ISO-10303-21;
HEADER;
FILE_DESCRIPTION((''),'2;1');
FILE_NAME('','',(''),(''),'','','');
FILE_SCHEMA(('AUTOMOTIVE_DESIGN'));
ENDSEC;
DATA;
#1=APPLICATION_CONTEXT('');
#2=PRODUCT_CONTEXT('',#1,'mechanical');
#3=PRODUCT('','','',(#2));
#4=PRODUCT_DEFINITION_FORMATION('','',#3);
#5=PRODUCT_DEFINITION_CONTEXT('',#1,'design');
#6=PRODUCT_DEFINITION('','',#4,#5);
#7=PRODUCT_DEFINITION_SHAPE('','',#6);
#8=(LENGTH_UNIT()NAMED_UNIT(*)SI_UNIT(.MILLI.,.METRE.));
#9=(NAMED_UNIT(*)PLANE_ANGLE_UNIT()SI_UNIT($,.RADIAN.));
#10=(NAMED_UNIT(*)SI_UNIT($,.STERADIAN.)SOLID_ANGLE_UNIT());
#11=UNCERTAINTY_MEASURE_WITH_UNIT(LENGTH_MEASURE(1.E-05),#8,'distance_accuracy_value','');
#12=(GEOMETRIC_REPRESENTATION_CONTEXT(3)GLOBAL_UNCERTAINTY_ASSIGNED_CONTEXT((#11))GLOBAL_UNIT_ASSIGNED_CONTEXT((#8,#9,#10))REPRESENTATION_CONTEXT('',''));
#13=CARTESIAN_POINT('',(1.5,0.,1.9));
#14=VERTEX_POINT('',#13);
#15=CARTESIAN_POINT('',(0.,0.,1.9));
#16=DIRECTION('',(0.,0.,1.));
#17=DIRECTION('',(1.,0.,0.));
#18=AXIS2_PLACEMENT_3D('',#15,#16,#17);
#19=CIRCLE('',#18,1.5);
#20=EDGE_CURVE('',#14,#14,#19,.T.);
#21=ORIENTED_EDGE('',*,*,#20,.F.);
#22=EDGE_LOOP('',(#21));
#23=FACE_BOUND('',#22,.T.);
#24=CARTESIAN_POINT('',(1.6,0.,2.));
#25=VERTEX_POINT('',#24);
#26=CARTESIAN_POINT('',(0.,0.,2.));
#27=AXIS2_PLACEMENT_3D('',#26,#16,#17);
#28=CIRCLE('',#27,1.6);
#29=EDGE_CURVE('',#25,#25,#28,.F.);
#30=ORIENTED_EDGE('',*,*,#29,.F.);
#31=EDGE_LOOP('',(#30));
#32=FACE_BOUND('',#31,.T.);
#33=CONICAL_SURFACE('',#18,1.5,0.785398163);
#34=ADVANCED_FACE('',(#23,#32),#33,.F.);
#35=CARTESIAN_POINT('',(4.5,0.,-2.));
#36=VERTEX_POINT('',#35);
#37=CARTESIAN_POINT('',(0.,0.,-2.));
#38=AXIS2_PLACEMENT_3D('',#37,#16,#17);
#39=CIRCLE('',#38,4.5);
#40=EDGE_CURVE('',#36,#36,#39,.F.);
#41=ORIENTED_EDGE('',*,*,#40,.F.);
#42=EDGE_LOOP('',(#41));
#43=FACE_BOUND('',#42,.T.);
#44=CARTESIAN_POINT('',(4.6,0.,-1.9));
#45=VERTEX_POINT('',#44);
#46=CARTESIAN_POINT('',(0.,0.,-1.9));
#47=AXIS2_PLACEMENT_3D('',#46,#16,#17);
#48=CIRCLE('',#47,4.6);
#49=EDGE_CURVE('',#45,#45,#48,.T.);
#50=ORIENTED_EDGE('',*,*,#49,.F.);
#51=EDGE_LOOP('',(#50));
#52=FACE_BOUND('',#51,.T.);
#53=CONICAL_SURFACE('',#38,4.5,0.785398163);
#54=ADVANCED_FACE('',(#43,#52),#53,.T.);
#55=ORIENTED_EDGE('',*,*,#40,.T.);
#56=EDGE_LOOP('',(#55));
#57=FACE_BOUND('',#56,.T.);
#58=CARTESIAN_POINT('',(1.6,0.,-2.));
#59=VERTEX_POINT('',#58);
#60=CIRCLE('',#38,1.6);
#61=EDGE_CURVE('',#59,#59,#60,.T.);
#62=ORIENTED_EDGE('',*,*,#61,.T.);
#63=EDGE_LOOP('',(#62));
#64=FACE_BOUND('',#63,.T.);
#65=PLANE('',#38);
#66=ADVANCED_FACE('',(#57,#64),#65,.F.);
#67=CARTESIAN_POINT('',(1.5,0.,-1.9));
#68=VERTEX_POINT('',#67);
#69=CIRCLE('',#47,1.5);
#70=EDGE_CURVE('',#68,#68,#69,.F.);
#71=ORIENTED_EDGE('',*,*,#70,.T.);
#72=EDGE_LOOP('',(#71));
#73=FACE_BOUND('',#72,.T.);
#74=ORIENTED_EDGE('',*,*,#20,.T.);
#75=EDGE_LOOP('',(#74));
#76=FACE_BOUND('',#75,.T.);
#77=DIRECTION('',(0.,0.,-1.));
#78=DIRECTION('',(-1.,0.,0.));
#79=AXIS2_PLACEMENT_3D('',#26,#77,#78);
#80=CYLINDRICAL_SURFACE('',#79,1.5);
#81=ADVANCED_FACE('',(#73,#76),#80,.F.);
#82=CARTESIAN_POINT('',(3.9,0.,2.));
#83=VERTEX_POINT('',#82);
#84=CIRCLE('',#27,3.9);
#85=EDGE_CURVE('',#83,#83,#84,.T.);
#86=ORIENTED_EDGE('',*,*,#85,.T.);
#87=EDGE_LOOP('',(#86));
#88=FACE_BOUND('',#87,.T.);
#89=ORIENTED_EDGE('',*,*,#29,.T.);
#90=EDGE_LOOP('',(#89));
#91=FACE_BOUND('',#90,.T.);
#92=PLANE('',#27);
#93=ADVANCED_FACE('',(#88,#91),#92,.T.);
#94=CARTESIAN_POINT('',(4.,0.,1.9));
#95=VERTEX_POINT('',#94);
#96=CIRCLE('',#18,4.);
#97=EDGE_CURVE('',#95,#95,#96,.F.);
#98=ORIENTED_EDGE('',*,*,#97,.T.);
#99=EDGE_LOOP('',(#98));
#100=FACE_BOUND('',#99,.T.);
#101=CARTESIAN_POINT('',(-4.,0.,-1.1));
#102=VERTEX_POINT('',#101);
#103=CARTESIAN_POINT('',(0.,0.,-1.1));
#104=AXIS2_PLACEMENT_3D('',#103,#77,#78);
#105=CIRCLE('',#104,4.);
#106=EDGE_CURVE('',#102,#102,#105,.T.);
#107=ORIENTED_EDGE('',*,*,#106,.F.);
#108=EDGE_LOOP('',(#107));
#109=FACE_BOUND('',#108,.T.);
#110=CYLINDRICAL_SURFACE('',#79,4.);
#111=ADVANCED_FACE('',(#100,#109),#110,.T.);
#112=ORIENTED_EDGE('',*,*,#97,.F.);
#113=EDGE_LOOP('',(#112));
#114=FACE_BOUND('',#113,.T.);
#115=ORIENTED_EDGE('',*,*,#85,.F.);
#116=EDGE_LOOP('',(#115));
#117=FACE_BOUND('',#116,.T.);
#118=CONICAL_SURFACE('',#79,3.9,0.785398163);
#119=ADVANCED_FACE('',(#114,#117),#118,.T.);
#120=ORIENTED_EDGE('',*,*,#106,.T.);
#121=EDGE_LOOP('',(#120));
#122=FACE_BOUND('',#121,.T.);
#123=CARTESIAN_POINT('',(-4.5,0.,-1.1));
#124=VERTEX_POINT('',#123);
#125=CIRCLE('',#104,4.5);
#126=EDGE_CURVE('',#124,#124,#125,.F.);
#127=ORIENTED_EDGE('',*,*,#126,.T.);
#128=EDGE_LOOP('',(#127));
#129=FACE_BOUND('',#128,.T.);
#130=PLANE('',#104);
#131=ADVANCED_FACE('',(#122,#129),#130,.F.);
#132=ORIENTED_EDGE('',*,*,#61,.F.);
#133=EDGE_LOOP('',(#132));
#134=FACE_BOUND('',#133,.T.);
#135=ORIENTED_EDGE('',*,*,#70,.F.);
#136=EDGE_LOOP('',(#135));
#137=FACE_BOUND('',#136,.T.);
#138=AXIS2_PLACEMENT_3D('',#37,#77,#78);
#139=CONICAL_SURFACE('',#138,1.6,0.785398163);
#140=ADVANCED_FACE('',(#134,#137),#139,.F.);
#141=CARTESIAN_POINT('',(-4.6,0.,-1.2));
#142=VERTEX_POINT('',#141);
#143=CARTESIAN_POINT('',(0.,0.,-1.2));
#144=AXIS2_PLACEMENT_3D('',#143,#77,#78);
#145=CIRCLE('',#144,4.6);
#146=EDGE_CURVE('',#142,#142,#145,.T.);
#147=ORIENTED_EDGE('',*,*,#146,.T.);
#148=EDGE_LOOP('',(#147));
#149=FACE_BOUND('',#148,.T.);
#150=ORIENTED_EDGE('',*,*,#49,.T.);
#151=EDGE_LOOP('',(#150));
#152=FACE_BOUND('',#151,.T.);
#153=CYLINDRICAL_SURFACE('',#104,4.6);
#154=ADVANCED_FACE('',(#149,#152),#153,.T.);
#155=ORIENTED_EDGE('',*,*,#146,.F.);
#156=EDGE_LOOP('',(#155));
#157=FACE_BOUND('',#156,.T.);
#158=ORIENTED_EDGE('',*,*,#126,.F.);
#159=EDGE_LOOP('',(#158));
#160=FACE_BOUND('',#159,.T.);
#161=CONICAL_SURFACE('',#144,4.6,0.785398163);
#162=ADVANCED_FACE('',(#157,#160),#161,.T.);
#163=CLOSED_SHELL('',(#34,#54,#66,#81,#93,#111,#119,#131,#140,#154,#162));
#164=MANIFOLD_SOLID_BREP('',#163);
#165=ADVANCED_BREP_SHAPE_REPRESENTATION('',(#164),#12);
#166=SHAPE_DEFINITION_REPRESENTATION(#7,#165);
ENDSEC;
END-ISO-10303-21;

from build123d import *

# Parameters (mm, degrees)
SKETCH_1_R      = 4
SKETCH_1_R_2    = 1.5
EXTRUDE_1_DEPTH = 2
SKETCH_2_R      = 4.6
SKETCH_2_R_2    = 4
EXTRUDE_2_DEPTH = 0.9
CHAMFER_1_SIZE  = 0.1


with BuildPart() as part:
    # 草图1 → 凸台-拉伸1 (new body, symmetric)
    with BuildSketch(Plane.XY):
        Circle(SKETCH_1_R)
        Circle(SKETCH_1_R_2, mode=Mode.SUBTRACT)
    extrude(amount=EXTRUDE_1_DEPTH, both=True)

    # 草图2 → 凸台-拉伸2 (add)
    with BuildSketch(Plane(origin=(0, 0, -2), x_dir=(-1, 0, 0), z_dir=(0, 0, -1))):
        Circle(SKETCH_2_R)
        Circle(SKETCH_2_R_2, mode=Mode.SUBTRACT)
    extrude(amount=-EXTRUDE_2_DEPTH)

    # 倒角1
    chamfer_1_edges = [part.edges().sort_by_distance(p)[0] for p in [
        (4.6, 0, -1.1),
        (4.6, 0, -2),
        (-4, 0, 2),
        (-1.5, 0, -2),
        (-1.5, 0, 2),
    ]]
    chamfer(chamfer_1_edges, length=CHAMFER_1_SIZE)


solid = part.part
